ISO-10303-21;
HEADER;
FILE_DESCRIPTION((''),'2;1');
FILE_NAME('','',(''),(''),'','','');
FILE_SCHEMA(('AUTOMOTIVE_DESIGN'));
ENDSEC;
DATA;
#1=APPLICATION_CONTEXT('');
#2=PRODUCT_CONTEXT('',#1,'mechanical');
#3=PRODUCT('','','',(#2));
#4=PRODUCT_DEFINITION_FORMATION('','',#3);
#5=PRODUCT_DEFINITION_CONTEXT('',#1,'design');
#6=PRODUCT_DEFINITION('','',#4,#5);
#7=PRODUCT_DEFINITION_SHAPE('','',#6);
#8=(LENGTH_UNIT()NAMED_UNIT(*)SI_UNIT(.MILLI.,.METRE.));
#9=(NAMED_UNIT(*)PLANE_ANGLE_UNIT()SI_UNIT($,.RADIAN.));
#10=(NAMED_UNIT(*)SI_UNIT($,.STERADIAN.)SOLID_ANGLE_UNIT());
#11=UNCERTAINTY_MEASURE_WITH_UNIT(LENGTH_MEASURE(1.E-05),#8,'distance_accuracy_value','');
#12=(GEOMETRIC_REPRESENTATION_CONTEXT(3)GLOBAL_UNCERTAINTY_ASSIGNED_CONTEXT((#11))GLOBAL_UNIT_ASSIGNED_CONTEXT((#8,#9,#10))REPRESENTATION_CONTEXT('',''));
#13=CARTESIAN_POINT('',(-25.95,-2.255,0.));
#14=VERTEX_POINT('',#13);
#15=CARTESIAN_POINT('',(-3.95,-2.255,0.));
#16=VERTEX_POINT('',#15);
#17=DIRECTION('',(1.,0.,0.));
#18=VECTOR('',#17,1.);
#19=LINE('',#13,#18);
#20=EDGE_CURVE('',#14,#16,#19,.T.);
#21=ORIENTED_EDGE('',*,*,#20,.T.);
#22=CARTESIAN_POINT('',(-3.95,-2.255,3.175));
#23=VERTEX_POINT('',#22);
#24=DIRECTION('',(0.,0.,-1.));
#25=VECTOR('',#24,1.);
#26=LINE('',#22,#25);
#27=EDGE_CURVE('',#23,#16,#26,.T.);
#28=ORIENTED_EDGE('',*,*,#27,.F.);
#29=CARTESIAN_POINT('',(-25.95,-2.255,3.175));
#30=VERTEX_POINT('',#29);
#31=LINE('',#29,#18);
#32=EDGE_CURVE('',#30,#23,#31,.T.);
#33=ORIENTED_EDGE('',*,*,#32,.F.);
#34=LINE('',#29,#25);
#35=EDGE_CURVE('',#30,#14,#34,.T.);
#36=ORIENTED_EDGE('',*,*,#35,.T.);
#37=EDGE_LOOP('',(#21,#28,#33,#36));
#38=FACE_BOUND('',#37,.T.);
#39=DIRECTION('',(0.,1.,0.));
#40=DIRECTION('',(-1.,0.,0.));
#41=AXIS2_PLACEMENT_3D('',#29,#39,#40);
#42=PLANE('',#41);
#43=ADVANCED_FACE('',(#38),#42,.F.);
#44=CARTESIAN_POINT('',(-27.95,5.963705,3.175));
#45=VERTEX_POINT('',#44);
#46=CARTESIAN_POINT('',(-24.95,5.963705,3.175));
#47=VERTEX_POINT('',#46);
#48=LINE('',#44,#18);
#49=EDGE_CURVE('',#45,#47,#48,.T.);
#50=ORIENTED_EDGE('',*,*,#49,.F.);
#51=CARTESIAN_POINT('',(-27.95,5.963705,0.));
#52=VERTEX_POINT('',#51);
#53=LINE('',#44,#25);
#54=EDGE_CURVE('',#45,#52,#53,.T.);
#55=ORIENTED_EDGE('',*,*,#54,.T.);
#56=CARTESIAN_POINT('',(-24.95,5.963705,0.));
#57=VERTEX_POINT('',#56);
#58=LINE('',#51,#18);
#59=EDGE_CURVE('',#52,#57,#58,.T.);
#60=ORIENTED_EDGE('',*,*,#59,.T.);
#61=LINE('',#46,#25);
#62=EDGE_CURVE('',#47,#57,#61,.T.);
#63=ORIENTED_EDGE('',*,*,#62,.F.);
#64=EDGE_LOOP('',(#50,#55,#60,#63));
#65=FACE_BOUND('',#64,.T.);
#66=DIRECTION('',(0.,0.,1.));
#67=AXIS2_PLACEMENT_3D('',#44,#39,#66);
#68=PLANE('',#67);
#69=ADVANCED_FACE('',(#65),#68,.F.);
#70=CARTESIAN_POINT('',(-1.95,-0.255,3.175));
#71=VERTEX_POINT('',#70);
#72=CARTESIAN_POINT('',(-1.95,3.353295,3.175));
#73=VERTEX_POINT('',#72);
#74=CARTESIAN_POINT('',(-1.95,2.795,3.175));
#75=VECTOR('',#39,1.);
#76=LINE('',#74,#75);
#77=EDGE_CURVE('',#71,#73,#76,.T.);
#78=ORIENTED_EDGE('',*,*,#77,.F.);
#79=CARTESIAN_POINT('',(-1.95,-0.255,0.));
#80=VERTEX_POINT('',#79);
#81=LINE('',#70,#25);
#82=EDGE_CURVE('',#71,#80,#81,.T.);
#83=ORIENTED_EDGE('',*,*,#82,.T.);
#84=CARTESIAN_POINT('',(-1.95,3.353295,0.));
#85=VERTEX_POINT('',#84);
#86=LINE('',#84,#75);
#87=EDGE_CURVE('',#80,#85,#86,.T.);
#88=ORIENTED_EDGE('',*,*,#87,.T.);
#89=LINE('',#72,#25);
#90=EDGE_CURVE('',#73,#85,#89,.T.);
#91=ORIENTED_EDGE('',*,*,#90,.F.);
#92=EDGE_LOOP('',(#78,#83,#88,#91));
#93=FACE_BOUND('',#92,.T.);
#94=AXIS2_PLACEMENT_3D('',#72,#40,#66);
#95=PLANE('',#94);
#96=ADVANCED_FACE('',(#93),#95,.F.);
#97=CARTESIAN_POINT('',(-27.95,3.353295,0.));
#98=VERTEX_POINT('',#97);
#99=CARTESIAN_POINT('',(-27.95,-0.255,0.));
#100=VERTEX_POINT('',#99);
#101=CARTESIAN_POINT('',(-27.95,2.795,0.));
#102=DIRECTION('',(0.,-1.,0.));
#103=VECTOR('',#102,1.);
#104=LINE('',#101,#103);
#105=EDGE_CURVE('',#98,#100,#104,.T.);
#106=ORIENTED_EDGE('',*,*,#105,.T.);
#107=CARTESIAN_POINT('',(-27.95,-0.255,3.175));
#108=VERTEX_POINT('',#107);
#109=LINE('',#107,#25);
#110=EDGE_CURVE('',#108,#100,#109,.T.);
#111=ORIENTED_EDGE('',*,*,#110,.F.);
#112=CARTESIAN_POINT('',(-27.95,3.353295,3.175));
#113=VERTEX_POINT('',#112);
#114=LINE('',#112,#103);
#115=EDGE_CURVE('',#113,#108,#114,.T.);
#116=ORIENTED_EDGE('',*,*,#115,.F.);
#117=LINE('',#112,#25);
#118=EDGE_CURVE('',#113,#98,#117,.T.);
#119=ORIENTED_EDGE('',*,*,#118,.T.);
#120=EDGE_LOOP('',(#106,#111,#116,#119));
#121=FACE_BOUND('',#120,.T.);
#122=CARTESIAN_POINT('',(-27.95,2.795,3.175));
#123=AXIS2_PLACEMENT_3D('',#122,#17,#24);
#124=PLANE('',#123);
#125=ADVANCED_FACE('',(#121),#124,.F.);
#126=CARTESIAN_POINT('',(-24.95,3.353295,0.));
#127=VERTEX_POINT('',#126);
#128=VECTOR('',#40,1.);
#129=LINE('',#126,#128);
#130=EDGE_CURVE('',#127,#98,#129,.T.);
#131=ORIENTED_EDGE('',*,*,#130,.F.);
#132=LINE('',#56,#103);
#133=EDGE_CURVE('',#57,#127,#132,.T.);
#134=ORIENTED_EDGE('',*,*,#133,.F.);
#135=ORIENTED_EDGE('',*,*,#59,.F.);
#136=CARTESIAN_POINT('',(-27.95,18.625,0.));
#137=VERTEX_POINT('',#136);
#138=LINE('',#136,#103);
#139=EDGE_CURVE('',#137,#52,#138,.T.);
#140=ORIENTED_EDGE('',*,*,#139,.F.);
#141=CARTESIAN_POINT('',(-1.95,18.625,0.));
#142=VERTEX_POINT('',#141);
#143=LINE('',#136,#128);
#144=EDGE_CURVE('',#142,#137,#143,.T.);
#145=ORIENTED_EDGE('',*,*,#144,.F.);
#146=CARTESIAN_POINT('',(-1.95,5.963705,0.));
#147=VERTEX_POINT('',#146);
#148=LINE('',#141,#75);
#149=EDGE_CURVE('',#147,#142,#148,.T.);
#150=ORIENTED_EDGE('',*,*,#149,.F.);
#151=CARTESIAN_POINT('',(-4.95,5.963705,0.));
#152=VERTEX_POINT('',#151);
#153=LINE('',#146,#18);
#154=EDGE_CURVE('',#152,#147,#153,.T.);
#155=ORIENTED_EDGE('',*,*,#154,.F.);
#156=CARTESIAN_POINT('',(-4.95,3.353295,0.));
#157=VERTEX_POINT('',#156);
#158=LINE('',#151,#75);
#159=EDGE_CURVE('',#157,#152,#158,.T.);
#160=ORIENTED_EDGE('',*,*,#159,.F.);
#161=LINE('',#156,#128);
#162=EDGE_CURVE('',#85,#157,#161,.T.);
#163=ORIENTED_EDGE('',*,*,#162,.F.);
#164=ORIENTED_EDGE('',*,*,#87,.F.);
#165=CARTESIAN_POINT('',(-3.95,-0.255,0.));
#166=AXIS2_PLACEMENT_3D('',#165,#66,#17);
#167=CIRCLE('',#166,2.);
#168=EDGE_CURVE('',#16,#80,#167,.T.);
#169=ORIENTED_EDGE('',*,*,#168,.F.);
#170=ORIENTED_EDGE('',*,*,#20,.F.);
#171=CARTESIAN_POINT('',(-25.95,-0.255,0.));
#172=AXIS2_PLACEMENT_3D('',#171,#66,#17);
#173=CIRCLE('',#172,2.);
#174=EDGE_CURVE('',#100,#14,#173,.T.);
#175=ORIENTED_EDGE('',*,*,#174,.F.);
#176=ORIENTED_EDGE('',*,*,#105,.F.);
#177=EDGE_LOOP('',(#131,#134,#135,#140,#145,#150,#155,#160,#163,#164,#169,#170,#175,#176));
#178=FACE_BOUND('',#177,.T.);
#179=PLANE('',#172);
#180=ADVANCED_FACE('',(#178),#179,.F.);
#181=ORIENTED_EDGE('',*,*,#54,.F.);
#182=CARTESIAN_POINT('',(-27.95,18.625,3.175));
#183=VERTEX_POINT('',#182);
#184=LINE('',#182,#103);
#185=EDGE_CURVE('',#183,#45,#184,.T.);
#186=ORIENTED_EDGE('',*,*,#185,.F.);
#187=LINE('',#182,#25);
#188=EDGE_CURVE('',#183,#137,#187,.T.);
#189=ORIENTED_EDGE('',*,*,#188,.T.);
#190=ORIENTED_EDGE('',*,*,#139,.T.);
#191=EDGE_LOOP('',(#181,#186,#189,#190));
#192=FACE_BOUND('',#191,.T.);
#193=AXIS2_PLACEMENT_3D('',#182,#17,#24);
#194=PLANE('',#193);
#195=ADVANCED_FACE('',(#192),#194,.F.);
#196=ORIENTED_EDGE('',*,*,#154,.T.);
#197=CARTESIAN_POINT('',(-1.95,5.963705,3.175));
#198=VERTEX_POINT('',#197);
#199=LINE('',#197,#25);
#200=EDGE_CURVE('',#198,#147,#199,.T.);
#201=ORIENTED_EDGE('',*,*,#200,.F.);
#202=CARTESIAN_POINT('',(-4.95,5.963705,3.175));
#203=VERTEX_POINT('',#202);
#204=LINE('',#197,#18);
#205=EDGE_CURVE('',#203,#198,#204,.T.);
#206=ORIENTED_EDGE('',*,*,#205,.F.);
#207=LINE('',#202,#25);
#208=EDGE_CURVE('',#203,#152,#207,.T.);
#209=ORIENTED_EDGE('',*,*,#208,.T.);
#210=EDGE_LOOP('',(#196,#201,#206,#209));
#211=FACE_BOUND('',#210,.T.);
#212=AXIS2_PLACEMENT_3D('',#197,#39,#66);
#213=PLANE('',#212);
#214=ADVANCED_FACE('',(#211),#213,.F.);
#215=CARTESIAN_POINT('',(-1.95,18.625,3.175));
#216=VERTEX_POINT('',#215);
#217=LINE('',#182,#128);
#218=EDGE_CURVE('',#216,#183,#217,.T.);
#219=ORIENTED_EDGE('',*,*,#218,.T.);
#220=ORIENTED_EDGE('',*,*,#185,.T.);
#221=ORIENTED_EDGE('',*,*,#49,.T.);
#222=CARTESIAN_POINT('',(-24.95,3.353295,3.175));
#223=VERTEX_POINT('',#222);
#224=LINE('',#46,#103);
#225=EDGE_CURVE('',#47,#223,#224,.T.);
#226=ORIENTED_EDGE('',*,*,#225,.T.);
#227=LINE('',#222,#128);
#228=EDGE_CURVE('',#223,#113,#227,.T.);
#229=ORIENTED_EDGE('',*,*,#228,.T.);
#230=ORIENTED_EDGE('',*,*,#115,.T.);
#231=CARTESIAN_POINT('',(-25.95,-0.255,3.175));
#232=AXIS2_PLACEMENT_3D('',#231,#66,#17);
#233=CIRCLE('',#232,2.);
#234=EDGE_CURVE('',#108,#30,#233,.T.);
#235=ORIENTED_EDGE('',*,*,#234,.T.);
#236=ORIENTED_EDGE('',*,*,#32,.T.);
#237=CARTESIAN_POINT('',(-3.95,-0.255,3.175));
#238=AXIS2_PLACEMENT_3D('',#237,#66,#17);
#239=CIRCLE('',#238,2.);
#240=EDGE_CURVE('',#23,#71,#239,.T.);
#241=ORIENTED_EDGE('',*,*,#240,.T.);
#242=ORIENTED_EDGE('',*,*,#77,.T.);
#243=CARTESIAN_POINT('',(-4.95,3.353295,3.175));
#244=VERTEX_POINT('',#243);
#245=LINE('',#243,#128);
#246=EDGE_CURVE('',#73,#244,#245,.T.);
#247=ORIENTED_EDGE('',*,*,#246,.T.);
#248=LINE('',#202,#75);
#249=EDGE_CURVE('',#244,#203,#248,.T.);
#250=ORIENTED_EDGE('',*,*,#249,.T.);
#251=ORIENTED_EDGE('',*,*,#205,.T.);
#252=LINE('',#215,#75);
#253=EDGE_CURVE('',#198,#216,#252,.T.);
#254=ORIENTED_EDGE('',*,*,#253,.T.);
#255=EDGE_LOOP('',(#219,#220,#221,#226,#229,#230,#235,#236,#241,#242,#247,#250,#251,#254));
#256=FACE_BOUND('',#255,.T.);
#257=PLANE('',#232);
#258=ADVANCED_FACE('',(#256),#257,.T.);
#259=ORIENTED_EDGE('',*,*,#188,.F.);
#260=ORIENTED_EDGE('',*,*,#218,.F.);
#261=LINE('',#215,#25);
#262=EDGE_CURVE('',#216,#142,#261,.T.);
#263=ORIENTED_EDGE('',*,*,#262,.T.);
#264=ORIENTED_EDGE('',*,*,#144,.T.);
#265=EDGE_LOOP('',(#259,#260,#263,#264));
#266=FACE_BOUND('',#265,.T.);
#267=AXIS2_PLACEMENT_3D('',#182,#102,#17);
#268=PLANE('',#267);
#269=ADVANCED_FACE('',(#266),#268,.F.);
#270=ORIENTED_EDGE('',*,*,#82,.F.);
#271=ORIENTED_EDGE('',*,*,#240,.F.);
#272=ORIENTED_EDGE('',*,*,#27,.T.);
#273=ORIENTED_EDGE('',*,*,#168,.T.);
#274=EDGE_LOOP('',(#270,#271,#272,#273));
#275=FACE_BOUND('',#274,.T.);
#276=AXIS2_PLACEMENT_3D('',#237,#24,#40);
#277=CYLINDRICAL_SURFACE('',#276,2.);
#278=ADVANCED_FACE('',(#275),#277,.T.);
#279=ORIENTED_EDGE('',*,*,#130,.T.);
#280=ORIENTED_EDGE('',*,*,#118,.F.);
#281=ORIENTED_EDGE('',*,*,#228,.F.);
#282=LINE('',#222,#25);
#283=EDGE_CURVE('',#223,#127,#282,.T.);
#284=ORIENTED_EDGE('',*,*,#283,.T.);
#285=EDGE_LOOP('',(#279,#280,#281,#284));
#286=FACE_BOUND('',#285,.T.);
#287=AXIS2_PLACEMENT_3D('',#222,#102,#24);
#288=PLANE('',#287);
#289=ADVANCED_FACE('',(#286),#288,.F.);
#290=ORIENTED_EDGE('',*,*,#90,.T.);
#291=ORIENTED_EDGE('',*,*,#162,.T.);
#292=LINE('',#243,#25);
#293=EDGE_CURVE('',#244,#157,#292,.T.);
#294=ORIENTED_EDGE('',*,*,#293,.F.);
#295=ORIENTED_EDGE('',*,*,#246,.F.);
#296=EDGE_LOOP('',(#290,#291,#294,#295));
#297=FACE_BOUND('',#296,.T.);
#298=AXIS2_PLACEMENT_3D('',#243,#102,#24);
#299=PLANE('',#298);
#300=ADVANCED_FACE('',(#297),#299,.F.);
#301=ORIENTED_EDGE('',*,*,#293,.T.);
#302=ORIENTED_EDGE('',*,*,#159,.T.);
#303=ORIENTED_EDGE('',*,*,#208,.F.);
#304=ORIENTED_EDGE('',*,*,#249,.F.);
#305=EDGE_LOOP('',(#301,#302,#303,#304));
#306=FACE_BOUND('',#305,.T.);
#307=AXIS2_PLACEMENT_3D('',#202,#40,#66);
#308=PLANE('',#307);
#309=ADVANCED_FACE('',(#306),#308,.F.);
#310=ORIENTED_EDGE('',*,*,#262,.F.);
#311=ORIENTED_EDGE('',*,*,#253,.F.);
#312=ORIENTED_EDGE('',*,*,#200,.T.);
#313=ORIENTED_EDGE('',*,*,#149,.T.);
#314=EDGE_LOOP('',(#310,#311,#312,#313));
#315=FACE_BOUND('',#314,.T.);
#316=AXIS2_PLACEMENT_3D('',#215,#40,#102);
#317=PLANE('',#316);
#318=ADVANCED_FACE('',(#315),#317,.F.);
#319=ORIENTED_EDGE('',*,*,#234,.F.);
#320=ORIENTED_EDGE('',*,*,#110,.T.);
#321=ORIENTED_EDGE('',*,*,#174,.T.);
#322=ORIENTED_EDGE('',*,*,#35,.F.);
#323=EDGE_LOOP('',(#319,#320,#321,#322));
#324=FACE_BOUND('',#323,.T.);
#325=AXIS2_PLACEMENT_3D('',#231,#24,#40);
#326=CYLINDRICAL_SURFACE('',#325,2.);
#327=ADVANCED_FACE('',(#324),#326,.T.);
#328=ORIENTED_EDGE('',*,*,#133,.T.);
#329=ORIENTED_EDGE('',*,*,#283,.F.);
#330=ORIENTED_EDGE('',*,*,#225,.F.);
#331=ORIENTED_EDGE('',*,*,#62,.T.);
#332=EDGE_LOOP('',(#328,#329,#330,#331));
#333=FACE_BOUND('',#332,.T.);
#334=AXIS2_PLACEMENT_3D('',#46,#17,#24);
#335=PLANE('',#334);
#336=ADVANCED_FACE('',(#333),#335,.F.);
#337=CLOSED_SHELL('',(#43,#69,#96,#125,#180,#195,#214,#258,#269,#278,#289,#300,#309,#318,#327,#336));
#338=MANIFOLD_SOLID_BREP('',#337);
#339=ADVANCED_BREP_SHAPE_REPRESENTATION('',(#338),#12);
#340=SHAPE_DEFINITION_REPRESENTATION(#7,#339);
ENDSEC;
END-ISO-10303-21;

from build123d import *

# Parameters (mm, degrees)
BOSS_EXTRUDE1_DEPTH = 3.175


with BuildPart() as part:
    # Sketch1 → Boss-Extrude1 (new body)
    with BuildSketch(Plane.XY):
        with BuildLine():
            Line((-27.95, 18.625), (-1.95, 18.625))
            Line((-1.95, 18.625), (-1.95, 5.963704675))
            Line((-1.95, 5.963704675), (-4.95, 5.963704675))
            Line((-4.95, 5.963704675), (-4.95, 3.353294588))
            Line((-4.95, 3.353294588), (-1.95, 3.353294588))
            Line((-1.95, 3.353294588), (-1.95, 2.795))
            Line((-1.95, 2.795), (-1.95, -0.255))
            ThreePointArc((-1.95, -0.255), (-2.535786438, -1.669213562), (-3.95, -2.255))
            Line((-3.95, -2.255), (-25.95, -2.255))
            ThreePointArc((-25.95, -2.255), (-27.364213562, -1.669213562), (-27.95, -0.255))
            Line((-27.95, -0.255), (-27.95, 2.795))
            Line((-27.95, 2.795), (-27.95, 3.353294588))
            Line((-27.95, 3.353294588), (-24.95, 3.353294588))
            Line((-24.95, 3.353294588), (-24.95, 5.963704675))
            Line((-24.95, 5.963704675), (-27.95, 5.963704675))
            Line((-27.95, 5.963704675), (-27.95, 18.625))
        make_face()
    extrude(amount=BOSS_EXTRUDE1_DEPTH)


solid = part.part
